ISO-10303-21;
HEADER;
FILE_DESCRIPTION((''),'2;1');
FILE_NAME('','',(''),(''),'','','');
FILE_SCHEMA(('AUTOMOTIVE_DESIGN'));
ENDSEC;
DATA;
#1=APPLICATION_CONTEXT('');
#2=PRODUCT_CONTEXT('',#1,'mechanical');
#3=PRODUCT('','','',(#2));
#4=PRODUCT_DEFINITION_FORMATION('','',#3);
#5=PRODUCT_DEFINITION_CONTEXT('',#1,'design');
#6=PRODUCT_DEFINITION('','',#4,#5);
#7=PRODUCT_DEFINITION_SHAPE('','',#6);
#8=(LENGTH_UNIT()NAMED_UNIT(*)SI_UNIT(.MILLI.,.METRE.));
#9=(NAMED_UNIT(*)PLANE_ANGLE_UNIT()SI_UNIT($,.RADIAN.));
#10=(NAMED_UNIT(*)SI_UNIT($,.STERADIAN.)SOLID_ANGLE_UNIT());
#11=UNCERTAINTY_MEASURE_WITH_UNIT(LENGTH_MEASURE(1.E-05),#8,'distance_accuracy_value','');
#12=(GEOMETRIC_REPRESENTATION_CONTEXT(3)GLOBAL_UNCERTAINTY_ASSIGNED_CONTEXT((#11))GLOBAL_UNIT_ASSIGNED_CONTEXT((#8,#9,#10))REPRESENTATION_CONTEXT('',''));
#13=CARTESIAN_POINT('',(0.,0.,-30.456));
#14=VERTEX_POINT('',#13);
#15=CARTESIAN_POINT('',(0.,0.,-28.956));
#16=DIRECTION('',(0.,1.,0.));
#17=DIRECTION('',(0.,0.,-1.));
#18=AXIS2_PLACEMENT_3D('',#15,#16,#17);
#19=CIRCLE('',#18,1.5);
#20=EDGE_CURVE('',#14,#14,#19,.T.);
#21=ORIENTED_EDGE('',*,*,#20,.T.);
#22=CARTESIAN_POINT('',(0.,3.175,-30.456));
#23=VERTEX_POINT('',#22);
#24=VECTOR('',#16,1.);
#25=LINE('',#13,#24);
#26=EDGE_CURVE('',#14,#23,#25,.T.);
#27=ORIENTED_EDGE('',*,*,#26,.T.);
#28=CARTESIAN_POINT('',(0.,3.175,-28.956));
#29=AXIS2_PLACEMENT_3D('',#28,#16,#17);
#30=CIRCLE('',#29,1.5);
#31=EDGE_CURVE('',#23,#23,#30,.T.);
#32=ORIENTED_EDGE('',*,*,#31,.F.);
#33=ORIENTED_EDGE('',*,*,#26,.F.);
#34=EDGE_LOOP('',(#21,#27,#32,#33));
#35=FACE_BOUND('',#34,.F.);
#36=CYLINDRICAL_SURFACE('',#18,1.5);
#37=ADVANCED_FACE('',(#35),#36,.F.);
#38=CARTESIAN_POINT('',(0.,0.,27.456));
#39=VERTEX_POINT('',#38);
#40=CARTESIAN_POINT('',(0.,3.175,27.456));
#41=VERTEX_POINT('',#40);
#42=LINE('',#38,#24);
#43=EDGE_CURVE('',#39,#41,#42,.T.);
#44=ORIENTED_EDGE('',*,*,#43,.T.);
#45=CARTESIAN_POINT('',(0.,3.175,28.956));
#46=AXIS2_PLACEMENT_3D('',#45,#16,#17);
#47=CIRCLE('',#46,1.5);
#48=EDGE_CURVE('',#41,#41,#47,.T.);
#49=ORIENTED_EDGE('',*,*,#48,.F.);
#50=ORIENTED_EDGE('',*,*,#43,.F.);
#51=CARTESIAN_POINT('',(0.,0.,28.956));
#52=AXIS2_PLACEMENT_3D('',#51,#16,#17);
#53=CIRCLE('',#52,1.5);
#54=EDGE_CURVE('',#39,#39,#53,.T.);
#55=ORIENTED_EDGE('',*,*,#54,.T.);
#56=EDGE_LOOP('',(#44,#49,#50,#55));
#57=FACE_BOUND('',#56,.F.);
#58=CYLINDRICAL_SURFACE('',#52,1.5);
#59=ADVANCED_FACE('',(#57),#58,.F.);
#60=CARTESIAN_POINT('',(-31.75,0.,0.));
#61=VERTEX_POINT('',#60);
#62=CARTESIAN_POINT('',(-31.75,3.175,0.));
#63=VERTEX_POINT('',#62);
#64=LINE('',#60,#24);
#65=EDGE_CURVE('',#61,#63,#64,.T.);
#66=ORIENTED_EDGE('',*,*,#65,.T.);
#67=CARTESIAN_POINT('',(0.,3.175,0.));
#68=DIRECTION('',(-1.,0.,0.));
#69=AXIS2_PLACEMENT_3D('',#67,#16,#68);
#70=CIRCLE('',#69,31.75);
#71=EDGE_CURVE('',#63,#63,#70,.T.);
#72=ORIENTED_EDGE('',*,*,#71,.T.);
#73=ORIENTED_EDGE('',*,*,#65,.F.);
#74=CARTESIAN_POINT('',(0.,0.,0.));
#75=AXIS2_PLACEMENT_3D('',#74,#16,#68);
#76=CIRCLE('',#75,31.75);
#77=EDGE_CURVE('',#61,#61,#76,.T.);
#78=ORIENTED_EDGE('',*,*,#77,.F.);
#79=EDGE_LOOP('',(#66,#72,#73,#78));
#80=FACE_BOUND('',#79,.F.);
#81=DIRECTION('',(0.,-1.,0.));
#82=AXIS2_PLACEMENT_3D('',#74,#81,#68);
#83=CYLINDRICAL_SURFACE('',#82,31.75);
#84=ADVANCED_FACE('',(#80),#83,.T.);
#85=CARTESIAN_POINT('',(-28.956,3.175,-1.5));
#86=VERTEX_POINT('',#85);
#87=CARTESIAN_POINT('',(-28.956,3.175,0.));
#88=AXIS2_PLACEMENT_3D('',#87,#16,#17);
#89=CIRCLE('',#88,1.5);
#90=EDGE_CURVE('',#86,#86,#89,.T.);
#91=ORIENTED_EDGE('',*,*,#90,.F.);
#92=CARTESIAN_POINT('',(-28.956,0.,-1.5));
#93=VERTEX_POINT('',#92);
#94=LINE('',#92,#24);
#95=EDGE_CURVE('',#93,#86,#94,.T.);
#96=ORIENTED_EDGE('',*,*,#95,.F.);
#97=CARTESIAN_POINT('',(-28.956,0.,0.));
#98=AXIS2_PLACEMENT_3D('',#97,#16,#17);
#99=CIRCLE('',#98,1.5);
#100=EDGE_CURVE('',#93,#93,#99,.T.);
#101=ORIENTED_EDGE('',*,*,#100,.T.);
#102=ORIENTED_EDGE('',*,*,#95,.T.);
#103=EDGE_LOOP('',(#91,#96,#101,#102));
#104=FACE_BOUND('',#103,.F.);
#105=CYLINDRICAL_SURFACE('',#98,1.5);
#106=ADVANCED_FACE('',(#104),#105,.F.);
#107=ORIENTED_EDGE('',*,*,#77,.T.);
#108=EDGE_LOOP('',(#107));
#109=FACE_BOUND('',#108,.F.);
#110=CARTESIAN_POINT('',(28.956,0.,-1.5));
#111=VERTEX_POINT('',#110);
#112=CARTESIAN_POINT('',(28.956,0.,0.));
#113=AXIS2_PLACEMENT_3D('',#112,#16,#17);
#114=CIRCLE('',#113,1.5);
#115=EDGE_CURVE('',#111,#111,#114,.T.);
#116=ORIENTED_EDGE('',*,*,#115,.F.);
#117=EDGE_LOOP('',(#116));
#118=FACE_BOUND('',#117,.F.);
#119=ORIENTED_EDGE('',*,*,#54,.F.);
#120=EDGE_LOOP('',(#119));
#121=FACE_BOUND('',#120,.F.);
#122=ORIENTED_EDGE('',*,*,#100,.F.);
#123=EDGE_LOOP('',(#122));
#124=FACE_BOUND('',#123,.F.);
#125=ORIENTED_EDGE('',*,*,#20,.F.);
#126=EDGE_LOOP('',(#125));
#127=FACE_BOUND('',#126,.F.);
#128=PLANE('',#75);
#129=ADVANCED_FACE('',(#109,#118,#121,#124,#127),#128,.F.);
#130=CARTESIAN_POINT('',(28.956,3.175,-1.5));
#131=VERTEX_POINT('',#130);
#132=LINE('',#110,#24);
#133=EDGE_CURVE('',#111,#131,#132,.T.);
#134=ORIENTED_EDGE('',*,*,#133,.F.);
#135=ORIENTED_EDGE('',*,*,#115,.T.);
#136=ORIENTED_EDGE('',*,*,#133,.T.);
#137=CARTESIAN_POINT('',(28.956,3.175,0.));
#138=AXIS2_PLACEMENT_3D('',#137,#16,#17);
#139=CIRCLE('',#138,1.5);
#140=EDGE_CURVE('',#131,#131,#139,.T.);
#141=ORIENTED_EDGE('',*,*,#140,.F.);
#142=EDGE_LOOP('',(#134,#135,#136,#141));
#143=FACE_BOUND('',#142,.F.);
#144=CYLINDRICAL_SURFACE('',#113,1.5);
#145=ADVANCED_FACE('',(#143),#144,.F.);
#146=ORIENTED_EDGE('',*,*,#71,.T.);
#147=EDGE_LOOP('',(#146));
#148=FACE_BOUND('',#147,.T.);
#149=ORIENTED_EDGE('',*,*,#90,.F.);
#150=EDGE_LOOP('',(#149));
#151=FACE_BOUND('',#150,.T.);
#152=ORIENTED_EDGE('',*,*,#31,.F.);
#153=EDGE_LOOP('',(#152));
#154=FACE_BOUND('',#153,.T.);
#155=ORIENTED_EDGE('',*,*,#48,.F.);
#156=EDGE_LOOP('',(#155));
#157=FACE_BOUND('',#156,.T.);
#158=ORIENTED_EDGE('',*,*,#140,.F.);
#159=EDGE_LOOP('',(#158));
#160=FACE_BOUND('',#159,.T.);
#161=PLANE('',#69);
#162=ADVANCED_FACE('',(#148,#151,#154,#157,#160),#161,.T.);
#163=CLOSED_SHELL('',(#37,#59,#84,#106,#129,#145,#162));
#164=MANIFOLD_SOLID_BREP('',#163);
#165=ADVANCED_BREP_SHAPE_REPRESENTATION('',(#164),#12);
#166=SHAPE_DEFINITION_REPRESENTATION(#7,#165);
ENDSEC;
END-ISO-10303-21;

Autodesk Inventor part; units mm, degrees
ref_plane "YZ Plane" through (0, 0, 0) normal (1, 0, 0) x (0, 1, 0)
ref_plane "XZ Plane" through (0, 0, 0) normal (0, 1, 0) x (-1, 0, 0)
ref_plane "XY Plane" through (0, 0, 0) normal (0, 0, 1) x (1, 0, 0)
sketch "Sketch1" plane through (0, 0, 0) normal (0, 1, 0) x (-1, 0, 0)
  circle A0 centre (0, 0) radius 31.75
  dimension "d0" = 63.5
extrude "Extrusion1" add sketch "Sketch1" along normal blind 3.175
sketch "Sketch2" plane through (0, 0, 0) normal (0, -1, 0) x (1, 0, 0)
  point P0 (0, 0)
  point P1 (-28.956, 0)
  point P2 (0, -28.956)
  point P3 (28.956, 0)
  point P4 (0, 28.956)
  dimension "d3" = 28.956
  dimension "d6" = 360
hole "Hole1" at (-28.956, 0, 0) at (0, 0, 28.956) at (28.956, 0, 0) at (0, 0, -28.956) direction (0, 1, 0) diameter 3 depth 25.4 tip angle 118
properties part number "Acrylic Lens"
